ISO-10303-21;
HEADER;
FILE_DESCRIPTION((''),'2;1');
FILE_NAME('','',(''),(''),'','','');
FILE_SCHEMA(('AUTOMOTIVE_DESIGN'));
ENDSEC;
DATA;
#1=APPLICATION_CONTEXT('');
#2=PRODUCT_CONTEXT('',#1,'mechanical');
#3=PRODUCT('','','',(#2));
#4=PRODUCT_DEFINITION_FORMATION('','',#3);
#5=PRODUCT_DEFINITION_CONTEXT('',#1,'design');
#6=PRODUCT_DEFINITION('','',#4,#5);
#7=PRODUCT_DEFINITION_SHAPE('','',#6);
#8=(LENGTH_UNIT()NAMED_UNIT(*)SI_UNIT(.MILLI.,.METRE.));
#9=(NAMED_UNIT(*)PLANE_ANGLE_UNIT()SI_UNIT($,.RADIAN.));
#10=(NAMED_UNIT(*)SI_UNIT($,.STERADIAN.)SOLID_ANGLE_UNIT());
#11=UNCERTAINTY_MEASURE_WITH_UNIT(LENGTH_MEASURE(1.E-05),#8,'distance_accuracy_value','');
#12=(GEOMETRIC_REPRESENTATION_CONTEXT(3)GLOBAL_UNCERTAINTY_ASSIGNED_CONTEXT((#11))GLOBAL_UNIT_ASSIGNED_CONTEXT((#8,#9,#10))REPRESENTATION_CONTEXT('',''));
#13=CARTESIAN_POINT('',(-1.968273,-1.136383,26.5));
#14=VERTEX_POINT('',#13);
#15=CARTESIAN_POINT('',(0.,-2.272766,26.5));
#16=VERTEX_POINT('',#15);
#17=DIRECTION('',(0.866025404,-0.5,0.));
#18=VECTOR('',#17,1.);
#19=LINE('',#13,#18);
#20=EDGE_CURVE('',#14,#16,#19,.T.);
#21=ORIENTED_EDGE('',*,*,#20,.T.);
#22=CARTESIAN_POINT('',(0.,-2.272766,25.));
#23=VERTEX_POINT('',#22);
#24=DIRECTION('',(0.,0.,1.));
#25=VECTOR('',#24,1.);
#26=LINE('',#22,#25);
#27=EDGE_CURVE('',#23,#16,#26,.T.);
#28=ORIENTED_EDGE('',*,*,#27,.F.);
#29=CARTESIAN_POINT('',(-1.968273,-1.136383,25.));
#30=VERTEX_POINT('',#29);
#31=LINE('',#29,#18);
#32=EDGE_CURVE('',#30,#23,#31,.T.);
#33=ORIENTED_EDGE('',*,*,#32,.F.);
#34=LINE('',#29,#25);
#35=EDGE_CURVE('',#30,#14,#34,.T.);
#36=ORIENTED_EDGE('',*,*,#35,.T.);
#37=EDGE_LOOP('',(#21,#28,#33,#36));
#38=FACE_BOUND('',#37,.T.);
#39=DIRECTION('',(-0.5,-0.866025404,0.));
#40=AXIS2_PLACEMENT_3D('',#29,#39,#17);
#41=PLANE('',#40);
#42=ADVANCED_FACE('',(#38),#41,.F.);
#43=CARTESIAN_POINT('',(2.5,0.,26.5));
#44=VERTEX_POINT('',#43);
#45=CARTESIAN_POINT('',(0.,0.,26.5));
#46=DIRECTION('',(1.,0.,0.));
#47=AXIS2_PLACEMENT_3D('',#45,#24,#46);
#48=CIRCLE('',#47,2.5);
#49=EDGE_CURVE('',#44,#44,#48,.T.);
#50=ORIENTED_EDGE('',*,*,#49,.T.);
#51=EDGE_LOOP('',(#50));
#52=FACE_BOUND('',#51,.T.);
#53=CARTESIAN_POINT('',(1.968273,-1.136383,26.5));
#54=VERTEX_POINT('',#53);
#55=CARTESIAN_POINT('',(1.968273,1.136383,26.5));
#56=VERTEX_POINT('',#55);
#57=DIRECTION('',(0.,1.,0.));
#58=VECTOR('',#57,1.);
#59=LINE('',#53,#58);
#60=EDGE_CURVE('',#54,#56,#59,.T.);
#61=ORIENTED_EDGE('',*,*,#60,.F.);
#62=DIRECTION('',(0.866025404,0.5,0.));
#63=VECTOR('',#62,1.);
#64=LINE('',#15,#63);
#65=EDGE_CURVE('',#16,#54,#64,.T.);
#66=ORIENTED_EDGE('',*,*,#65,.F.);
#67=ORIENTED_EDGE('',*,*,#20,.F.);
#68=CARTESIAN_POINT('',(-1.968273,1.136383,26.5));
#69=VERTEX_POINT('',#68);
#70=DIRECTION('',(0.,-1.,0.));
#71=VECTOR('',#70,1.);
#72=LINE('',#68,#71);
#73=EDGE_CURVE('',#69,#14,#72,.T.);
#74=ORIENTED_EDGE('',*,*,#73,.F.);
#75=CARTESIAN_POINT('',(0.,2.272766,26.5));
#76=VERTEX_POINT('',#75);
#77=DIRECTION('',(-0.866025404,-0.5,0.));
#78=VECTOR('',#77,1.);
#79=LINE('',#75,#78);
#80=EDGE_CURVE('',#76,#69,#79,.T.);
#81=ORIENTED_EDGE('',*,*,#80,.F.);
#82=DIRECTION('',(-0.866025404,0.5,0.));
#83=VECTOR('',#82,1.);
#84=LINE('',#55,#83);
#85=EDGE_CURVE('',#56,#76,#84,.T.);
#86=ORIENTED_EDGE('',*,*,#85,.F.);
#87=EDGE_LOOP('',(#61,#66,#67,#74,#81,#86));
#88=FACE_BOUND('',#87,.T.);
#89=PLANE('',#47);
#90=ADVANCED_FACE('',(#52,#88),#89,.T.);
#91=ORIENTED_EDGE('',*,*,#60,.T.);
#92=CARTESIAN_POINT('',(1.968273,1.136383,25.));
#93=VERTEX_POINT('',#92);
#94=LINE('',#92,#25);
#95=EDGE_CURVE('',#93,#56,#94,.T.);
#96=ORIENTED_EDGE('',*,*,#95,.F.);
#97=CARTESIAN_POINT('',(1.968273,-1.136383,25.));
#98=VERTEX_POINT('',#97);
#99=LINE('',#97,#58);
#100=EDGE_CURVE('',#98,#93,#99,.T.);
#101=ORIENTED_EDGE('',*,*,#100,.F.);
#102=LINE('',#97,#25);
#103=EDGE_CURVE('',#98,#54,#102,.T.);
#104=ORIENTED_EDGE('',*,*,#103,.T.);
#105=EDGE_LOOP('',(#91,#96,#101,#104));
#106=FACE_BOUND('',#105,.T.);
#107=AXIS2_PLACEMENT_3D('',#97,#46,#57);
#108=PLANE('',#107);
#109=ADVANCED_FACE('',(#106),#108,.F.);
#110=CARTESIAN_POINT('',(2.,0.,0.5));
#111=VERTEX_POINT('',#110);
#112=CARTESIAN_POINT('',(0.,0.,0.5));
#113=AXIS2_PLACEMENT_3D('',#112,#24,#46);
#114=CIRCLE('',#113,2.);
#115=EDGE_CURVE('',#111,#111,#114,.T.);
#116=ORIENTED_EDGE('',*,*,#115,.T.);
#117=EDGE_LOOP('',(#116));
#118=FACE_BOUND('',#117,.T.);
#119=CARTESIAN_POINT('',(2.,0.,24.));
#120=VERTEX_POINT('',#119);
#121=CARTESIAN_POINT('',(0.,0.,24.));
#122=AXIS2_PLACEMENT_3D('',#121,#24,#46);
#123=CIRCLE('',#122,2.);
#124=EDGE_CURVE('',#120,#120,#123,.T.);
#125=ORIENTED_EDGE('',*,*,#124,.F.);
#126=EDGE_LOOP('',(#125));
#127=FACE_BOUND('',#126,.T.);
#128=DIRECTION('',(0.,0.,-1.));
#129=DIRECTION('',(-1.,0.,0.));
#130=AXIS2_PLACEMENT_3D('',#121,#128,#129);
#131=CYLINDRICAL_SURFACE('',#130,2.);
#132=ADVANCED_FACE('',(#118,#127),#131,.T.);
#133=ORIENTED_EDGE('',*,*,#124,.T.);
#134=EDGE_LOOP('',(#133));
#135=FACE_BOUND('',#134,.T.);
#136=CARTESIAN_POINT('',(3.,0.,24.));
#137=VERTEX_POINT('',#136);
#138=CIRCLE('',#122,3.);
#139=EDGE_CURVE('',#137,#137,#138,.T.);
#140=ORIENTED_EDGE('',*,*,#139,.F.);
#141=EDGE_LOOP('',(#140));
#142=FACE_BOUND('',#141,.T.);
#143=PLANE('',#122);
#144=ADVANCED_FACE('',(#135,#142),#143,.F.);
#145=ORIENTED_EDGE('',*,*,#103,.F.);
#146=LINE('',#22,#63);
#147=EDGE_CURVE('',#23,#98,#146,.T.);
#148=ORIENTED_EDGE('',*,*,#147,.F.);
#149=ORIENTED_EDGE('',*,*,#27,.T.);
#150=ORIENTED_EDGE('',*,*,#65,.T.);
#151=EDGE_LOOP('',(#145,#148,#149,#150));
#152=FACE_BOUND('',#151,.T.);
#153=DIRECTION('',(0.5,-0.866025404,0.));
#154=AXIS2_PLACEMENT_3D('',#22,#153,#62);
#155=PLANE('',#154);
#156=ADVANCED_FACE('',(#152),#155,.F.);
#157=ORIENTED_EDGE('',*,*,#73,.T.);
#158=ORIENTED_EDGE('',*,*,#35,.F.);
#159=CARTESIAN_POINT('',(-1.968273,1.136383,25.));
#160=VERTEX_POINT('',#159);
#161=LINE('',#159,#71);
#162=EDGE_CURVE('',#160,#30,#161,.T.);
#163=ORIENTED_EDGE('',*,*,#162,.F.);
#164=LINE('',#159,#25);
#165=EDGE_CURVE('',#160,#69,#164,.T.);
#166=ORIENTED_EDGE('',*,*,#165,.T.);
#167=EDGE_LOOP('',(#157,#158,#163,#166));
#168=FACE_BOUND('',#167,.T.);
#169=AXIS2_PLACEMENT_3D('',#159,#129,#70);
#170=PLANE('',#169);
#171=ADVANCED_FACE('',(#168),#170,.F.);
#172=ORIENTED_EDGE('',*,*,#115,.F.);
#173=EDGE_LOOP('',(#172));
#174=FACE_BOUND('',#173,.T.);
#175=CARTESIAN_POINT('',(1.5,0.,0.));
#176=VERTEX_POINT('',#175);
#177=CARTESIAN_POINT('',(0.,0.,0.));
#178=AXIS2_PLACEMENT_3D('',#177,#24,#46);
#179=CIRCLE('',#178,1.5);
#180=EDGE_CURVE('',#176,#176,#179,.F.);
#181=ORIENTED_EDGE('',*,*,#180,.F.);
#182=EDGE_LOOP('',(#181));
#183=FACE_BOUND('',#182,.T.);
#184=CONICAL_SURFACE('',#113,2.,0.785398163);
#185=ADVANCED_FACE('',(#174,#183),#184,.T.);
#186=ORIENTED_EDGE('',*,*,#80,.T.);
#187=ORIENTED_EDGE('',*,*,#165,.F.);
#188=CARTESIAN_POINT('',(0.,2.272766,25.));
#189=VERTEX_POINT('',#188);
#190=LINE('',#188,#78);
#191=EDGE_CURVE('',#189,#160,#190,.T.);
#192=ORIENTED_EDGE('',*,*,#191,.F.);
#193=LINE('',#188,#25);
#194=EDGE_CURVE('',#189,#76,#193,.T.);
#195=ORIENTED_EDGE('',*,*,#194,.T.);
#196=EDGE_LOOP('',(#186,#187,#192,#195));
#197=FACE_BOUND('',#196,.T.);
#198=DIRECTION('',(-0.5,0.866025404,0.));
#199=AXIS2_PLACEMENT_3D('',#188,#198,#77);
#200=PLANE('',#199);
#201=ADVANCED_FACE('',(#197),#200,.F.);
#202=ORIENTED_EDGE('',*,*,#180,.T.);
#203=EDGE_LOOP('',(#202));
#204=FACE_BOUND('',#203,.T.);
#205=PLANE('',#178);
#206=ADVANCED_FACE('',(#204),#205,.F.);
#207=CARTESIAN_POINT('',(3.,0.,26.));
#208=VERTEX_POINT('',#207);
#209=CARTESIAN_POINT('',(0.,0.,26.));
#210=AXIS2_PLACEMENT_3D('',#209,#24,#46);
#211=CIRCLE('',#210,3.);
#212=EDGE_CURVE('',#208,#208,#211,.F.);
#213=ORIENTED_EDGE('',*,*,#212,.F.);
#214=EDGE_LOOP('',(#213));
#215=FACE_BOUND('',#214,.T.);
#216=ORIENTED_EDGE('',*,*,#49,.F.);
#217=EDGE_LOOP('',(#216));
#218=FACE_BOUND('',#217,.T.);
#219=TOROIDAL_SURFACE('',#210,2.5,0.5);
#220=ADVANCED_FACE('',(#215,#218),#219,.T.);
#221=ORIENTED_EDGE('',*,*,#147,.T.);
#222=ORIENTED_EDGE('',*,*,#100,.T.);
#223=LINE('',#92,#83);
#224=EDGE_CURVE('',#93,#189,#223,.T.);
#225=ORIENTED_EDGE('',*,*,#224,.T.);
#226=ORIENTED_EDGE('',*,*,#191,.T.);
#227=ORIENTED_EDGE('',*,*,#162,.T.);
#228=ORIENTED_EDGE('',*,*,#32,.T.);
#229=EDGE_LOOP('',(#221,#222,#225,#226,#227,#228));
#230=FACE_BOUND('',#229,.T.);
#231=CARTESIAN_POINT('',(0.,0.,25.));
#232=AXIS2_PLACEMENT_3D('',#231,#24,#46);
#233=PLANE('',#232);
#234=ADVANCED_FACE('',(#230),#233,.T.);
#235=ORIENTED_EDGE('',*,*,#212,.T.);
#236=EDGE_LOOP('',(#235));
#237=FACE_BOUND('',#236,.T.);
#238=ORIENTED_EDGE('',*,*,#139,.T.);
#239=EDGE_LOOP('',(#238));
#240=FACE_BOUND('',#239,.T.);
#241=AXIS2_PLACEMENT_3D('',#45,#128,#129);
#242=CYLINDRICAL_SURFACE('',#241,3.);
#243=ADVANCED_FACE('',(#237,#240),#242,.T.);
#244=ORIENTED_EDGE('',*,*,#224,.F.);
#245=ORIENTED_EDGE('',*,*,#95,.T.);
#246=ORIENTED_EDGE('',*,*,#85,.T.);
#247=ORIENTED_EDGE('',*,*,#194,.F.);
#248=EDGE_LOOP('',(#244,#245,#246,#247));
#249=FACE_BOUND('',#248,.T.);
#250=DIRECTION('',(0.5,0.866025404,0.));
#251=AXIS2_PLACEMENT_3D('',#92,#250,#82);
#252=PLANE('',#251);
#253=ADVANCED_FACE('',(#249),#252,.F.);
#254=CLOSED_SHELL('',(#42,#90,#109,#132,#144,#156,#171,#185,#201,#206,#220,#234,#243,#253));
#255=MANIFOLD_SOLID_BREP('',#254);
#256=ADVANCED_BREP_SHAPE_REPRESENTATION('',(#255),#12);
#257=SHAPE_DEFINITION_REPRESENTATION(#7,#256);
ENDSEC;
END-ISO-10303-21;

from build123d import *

# Parameters (mm, degrees)
SKETCH_1_R          = 2
EXTRUDE_1_DEPTH     = 24
SKETCH_2_R          = 3
EXTRUDE_2_DEPTH     = 2.5
CUT_EXTRUDE_1_DEPTH = 1.5
FILLET_1_R          = 0.5
CHAMFER_1_SIZE      = 0.5


with BuildPart() as part:
    # 草图1 → 凸台-拉伸1 (new body)
    with BuildSketch(Plane.XY):
        Circle(SKETCH_1_R)
    extrude(amount=EXTRUDE_1_DEPTH)

    # 草图2 → 凸台-拉伸2 (add)
    with BuildSketch(Plane.XY.offset(24)):
        Circle(SKETCH_2_R)
    extrude(amount=EXTRUDE_2_DEPTH)

    # 草图3 → 切除-拉伸1 (cut)
    with BuildSketch(Plane.XY.offset(26.5)):
        Polygon((0, 2.272766295), (-1.968273348, 1.136383147), (-1.968273348, -1.136383147), (0, -2.272766295), (1.968273348, -1.136383147), (1.968273348, 1.136383147), align=None)
    extrude(amount=-CUT_EXTRUDE_1_DEPTH, mode=Mode.SUBTRACT)

    # 圆角1
    fillet_1_edges = [part.edges().sort_by_distance(p)[0] for p in [
        (-3, 0, 26.5),
    ]]
    fillet(fillet_1_edges, radius=FILLET_1_R)

    # 倒角1
    chamfer_1_edges = [part.edges().sort_by_distance(p)[0] for p in [
        (-2, 0, 0),
    ]]
    chamfer(chamfer_1_edges, length=CHAMFER_1_SIZE)


solid = part.part
